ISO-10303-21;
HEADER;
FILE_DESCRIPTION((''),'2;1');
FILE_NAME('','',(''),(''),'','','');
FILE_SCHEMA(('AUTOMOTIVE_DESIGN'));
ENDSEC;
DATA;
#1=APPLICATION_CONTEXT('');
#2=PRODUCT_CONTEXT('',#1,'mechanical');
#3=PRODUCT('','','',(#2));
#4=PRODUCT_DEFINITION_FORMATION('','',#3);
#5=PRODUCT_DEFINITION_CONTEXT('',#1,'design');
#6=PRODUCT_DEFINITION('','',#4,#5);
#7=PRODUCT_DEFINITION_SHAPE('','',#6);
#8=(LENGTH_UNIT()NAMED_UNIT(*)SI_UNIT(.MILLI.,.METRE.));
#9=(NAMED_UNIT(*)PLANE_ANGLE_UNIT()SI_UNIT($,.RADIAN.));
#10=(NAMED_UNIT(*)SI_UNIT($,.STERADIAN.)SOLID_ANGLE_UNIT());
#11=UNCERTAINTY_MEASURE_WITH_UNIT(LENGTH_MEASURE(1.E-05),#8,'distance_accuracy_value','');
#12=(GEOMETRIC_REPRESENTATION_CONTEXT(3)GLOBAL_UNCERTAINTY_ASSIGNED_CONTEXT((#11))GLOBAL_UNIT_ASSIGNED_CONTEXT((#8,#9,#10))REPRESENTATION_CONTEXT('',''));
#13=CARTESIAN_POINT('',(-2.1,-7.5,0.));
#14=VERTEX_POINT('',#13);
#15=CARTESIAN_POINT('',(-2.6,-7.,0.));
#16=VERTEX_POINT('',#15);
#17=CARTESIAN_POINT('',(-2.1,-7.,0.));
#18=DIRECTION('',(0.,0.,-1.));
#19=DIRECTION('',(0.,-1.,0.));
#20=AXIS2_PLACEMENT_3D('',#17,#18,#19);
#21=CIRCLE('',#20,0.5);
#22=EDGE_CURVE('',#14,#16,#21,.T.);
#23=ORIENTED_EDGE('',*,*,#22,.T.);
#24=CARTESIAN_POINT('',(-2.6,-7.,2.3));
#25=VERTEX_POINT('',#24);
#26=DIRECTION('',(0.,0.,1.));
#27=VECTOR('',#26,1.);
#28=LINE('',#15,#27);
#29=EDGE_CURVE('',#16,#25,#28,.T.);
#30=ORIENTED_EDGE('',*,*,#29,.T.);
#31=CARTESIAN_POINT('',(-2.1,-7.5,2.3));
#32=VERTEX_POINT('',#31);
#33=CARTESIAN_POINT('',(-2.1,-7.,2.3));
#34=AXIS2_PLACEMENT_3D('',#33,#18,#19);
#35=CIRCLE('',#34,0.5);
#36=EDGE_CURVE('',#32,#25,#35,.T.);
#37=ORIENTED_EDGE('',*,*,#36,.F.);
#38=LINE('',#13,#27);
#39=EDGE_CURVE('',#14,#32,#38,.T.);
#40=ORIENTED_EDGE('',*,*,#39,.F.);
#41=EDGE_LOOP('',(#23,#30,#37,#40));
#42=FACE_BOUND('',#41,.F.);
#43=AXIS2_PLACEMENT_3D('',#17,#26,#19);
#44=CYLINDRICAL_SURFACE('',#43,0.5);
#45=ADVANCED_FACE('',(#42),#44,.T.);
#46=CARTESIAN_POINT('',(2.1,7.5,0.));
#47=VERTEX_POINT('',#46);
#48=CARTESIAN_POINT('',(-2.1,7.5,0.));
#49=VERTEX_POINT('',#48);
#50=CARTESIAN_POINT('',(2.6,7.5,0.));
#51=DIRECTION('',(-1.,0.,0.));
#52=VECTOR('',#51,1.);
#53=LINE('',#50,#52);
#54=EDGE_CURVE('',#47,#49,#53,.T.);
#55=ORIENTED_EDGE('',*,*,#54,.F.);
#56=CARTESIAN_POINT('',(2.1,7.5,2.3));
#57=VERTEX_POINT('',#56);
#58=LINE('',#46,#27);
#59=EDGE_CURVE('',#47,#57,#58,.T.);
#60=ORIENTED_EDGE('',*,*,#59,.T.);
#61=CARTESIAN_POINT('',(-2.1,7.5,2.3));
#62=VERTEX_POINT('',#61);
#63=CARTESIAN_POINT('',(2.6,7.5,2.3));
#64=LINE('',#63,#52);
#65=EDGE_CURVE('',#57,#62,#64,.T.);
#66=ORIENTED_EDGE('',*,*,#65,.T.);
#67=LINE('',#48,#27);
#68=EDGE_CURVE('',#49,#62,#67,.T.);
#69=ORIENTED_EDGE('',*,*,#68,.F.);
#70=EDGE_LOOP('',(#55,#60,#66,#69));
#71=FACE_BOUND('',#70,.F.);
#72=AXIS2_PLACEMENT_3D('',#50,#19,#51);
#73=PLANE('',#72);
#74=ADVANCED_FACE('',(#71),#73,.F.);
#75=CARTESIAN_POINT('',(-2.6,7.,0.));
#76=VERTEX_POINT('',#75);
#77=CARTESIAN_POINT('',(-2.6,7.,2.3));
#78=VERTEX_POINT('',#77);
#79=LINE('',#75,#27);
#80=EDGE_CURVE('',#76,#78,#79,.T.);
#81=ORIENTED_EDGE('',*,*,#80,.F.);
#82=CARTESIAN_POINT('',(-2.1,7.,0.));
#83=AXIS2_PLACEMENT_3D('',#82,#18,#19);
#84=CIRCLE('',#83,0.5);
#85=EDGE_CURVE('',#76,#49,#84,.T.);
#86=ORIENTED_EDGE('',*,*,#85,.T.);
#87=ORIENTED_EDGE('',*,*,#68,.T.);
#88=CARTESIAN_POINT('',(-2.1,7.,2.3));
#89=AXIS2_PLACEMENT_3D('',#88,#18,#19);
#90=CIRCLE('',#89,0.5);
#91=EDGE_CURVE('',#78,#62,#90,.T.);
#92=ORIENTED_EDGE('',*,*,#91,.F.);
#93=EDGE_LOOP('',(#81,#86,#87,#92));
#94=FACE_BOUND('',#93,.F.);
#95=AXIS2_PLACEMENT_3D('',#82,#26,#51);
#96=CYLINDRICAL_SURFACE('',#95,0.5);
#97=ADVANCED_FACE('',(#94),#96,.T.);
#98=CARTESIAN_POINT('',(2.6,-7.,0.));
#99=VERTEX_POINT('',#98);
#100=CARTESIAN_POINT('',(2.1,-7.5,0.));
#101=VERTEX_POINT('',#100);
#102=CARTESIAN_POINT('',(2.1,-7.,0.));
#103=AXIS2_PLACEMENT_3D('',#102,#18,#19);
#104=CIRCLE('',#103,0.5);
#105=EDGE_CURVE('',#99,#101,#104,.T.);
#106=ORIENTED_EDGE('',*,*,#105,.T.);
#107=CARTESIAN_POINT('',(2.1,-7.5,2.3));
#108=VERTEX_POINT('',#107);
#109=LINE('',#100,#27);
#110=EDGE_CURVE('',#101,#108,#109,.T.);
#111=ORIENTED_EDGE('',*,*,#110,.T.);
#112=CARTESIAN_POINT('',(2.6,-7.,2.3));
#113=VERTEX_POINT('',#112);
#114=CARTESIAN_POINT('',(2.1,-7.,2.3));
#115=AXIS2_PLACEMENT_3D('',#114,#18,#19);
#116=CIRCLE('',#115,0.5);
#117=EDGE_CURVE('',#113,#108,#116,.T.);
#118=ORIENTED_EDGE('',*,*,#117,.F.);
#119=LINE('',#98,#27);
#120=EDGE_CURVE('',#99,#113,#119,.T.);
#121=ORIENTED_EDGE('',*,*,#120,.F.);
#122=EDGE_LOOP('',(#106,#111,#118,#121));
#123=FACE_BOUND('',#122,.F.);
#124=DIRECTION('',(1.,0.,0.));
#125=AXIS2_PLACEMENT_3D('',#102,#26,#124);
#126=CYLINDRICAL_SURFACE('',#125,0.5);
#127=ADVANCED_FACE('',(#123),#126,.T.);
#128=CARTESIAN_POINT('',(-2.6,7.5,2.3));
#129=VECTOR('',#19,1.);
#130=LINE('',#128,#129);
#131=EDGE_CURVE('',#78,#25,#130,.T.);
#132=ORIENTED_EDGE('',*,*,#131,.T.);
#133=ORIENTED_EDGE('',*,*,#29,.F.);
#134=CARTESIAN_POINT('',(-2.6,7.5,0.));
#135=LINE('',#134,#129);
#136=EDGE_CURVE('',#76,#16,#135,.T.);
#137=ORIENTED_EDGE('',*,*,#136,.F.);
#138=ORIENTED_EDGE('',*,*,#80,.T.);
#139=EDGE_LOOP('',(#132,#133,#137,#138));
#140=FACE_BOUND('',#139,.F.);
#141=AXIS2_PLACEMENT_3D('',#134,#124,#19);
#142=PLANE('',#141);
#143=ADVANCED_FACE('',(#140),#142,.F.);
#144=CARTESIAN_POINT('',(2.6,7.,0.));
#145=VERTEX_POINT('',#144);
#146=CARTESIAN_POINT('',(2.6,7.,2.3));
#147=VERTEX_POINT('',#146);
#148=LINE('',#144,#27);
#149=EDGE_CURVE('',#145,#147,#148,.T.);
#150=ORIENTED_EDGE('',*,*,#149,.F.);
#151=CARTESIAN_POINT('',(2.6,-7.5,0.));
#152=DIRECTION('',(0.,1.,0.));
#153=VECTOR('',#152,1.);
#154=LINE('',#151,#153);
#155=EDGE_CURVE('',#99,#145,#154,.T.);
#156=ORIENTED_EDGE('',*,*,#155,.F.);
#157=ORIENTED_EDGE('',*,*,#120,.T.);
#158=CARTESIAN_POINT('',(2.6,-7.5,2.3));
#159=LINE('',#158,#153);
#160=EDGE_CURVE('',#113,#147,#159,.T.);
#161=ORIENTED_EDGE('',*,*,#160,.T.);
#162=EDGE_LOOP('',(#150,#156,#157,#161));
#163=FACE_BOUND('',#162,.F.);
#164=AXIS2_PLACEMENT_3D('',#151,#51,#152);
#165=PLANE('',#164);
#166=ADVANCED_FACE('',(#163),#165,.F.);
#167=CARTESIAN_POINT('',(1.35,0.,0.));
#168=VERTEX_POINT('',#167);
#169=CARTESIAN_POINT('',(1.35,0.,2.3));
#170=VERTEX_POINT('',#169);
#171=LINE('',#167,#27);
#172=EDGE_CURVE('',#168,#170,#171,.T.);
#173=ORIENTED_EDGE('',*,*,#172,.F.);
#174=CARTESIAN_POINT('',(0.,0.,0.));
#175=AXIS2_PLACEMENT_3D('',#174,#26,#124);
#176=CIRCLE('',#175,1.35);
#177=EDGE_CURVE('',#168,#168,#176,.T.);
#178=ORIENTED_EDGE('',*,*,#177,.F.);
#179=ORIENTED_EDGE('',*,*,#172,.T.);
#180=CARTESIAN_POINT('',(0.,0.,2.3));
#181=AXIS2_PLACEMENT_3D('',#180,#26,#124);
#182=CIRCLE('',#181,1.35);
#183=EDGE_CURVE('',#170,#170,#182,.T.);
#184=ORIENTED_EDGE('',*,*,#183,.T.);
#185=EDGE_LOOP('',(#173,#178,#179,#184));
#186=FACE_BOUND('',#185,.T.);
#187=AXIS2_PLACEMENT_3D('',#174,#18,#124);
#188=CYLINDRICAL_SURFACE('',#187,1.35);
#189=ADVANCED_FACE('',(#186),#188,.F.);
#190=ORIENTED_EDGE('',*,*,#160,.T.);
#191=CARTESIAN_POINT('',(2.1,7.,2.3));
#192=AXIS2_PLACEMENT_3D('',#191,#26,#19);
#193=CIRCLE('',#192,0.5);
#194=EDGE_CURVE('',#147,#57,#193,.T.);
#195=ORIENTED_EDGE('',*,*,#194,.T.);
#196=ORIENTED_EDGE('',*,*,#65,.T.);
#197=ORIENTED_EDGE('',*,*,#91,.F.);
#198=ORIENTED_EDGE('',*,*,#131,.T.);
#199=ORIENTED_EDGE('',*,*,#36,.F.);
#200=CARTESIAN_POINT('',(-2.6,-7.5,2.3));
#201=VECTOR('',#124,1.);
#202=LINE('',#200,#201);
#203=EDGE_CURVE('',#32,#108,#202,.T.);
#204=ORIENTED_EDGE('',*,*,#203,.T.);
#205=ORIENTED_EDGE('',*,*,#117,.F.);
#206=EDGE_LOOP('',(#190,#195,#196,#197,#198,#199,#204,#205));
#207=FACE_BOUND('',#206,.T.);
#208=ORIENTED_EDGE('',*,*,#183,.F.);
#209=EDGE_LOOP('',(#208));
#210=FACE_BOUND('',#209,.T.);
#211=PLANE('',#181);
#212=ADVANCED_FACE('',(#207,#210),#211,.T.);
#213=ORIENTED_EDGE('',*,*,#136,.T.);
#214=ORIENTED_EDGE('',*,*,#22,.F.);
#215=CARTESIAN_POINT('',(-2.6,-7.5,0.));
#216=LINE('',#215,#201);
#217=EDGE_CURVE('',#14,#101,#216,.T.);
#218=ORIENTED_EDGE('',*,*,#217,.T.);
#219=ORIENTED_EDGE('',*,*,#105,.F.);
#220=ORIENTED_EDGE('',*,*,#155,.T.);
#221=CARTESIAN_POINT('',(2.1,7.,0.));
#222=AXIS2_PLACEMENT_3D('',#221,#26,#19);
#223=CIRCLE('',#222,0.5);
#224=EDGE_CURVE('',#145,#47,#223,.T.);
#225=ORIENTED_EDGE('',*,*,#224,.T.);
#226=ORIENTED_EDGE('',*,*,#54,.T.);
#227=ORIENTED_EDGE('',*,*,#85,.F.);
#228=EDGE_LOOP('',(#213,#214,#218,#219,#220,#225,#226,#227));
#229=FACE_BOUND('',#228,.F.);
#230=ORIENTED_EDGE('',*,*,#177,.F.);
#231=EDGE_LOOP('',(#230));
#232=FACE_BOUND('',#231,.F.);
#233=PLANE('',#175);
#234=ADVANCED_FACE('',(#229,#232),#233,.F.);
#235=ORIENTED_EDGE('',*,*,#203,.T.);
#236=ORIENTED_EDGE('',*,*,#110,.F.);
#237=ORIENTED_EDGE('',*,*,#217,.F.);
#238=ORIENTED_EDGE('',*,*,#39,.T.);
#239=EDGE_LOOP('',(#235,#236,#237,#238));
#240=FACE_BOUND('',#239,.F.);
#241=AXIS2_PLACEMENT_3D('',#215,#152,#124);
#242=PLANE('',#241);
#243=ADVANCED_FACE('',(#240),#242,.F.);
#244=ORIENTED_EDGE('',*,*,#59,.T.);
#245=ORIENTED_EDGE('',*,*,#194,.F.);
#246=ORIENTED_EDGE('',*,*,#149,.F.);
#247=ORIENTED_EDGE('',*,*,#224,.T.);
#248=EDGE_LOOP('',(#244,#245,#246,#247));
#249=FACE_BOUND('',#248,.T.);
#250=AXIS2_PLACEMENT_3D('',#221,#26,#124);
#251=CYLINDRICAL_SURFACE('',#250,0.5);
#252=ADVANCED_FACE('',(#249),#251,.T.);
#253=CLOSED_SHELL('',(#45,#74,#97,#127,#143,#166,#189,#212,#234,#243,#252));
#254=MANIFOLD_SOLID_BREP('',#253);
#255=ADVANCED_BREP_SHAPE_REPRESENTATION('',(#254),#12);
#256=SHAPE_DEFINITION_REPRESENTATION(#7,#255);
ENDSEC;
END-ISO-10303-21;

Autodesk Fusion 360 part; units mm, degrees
sketch "Sketch1" plane through (0, 0, 0) normal (0, 0, 1) x (1, 0, 0)
  line L0 (2.6, 7.5) -> (-2.6, 7.5)
  line L1 (-2.6, 7.5) -> (-2.6, -7.5)
  line L2 (-2.6, -7.5) -> (2.6, -7.5)
  line L3 (2.6, -7.5) -> (2.6, 7.5)
  line L4 (2.6, 7.5) -> (-2.6, -7.5) construction
  line L5 (-2.6, 7.5) -> (2.6, -7.5) construction
  circle A0 centre (0, 0) radius 1.35
  dimension "d1" = 5.2
  dimension "d2" = 15
  dimension "d3" = 2.7
extrude "Extrude1" add sketch "Sketch1" along normal blind 2.3
fillet "Fillet1" radius 0.5 4 edges at (2.6, 7.5, 1.15) (-2.6, 7.5, 1.15) (-2.6, -7.5, 1.15) (2.6, -7.5, 1.15)
